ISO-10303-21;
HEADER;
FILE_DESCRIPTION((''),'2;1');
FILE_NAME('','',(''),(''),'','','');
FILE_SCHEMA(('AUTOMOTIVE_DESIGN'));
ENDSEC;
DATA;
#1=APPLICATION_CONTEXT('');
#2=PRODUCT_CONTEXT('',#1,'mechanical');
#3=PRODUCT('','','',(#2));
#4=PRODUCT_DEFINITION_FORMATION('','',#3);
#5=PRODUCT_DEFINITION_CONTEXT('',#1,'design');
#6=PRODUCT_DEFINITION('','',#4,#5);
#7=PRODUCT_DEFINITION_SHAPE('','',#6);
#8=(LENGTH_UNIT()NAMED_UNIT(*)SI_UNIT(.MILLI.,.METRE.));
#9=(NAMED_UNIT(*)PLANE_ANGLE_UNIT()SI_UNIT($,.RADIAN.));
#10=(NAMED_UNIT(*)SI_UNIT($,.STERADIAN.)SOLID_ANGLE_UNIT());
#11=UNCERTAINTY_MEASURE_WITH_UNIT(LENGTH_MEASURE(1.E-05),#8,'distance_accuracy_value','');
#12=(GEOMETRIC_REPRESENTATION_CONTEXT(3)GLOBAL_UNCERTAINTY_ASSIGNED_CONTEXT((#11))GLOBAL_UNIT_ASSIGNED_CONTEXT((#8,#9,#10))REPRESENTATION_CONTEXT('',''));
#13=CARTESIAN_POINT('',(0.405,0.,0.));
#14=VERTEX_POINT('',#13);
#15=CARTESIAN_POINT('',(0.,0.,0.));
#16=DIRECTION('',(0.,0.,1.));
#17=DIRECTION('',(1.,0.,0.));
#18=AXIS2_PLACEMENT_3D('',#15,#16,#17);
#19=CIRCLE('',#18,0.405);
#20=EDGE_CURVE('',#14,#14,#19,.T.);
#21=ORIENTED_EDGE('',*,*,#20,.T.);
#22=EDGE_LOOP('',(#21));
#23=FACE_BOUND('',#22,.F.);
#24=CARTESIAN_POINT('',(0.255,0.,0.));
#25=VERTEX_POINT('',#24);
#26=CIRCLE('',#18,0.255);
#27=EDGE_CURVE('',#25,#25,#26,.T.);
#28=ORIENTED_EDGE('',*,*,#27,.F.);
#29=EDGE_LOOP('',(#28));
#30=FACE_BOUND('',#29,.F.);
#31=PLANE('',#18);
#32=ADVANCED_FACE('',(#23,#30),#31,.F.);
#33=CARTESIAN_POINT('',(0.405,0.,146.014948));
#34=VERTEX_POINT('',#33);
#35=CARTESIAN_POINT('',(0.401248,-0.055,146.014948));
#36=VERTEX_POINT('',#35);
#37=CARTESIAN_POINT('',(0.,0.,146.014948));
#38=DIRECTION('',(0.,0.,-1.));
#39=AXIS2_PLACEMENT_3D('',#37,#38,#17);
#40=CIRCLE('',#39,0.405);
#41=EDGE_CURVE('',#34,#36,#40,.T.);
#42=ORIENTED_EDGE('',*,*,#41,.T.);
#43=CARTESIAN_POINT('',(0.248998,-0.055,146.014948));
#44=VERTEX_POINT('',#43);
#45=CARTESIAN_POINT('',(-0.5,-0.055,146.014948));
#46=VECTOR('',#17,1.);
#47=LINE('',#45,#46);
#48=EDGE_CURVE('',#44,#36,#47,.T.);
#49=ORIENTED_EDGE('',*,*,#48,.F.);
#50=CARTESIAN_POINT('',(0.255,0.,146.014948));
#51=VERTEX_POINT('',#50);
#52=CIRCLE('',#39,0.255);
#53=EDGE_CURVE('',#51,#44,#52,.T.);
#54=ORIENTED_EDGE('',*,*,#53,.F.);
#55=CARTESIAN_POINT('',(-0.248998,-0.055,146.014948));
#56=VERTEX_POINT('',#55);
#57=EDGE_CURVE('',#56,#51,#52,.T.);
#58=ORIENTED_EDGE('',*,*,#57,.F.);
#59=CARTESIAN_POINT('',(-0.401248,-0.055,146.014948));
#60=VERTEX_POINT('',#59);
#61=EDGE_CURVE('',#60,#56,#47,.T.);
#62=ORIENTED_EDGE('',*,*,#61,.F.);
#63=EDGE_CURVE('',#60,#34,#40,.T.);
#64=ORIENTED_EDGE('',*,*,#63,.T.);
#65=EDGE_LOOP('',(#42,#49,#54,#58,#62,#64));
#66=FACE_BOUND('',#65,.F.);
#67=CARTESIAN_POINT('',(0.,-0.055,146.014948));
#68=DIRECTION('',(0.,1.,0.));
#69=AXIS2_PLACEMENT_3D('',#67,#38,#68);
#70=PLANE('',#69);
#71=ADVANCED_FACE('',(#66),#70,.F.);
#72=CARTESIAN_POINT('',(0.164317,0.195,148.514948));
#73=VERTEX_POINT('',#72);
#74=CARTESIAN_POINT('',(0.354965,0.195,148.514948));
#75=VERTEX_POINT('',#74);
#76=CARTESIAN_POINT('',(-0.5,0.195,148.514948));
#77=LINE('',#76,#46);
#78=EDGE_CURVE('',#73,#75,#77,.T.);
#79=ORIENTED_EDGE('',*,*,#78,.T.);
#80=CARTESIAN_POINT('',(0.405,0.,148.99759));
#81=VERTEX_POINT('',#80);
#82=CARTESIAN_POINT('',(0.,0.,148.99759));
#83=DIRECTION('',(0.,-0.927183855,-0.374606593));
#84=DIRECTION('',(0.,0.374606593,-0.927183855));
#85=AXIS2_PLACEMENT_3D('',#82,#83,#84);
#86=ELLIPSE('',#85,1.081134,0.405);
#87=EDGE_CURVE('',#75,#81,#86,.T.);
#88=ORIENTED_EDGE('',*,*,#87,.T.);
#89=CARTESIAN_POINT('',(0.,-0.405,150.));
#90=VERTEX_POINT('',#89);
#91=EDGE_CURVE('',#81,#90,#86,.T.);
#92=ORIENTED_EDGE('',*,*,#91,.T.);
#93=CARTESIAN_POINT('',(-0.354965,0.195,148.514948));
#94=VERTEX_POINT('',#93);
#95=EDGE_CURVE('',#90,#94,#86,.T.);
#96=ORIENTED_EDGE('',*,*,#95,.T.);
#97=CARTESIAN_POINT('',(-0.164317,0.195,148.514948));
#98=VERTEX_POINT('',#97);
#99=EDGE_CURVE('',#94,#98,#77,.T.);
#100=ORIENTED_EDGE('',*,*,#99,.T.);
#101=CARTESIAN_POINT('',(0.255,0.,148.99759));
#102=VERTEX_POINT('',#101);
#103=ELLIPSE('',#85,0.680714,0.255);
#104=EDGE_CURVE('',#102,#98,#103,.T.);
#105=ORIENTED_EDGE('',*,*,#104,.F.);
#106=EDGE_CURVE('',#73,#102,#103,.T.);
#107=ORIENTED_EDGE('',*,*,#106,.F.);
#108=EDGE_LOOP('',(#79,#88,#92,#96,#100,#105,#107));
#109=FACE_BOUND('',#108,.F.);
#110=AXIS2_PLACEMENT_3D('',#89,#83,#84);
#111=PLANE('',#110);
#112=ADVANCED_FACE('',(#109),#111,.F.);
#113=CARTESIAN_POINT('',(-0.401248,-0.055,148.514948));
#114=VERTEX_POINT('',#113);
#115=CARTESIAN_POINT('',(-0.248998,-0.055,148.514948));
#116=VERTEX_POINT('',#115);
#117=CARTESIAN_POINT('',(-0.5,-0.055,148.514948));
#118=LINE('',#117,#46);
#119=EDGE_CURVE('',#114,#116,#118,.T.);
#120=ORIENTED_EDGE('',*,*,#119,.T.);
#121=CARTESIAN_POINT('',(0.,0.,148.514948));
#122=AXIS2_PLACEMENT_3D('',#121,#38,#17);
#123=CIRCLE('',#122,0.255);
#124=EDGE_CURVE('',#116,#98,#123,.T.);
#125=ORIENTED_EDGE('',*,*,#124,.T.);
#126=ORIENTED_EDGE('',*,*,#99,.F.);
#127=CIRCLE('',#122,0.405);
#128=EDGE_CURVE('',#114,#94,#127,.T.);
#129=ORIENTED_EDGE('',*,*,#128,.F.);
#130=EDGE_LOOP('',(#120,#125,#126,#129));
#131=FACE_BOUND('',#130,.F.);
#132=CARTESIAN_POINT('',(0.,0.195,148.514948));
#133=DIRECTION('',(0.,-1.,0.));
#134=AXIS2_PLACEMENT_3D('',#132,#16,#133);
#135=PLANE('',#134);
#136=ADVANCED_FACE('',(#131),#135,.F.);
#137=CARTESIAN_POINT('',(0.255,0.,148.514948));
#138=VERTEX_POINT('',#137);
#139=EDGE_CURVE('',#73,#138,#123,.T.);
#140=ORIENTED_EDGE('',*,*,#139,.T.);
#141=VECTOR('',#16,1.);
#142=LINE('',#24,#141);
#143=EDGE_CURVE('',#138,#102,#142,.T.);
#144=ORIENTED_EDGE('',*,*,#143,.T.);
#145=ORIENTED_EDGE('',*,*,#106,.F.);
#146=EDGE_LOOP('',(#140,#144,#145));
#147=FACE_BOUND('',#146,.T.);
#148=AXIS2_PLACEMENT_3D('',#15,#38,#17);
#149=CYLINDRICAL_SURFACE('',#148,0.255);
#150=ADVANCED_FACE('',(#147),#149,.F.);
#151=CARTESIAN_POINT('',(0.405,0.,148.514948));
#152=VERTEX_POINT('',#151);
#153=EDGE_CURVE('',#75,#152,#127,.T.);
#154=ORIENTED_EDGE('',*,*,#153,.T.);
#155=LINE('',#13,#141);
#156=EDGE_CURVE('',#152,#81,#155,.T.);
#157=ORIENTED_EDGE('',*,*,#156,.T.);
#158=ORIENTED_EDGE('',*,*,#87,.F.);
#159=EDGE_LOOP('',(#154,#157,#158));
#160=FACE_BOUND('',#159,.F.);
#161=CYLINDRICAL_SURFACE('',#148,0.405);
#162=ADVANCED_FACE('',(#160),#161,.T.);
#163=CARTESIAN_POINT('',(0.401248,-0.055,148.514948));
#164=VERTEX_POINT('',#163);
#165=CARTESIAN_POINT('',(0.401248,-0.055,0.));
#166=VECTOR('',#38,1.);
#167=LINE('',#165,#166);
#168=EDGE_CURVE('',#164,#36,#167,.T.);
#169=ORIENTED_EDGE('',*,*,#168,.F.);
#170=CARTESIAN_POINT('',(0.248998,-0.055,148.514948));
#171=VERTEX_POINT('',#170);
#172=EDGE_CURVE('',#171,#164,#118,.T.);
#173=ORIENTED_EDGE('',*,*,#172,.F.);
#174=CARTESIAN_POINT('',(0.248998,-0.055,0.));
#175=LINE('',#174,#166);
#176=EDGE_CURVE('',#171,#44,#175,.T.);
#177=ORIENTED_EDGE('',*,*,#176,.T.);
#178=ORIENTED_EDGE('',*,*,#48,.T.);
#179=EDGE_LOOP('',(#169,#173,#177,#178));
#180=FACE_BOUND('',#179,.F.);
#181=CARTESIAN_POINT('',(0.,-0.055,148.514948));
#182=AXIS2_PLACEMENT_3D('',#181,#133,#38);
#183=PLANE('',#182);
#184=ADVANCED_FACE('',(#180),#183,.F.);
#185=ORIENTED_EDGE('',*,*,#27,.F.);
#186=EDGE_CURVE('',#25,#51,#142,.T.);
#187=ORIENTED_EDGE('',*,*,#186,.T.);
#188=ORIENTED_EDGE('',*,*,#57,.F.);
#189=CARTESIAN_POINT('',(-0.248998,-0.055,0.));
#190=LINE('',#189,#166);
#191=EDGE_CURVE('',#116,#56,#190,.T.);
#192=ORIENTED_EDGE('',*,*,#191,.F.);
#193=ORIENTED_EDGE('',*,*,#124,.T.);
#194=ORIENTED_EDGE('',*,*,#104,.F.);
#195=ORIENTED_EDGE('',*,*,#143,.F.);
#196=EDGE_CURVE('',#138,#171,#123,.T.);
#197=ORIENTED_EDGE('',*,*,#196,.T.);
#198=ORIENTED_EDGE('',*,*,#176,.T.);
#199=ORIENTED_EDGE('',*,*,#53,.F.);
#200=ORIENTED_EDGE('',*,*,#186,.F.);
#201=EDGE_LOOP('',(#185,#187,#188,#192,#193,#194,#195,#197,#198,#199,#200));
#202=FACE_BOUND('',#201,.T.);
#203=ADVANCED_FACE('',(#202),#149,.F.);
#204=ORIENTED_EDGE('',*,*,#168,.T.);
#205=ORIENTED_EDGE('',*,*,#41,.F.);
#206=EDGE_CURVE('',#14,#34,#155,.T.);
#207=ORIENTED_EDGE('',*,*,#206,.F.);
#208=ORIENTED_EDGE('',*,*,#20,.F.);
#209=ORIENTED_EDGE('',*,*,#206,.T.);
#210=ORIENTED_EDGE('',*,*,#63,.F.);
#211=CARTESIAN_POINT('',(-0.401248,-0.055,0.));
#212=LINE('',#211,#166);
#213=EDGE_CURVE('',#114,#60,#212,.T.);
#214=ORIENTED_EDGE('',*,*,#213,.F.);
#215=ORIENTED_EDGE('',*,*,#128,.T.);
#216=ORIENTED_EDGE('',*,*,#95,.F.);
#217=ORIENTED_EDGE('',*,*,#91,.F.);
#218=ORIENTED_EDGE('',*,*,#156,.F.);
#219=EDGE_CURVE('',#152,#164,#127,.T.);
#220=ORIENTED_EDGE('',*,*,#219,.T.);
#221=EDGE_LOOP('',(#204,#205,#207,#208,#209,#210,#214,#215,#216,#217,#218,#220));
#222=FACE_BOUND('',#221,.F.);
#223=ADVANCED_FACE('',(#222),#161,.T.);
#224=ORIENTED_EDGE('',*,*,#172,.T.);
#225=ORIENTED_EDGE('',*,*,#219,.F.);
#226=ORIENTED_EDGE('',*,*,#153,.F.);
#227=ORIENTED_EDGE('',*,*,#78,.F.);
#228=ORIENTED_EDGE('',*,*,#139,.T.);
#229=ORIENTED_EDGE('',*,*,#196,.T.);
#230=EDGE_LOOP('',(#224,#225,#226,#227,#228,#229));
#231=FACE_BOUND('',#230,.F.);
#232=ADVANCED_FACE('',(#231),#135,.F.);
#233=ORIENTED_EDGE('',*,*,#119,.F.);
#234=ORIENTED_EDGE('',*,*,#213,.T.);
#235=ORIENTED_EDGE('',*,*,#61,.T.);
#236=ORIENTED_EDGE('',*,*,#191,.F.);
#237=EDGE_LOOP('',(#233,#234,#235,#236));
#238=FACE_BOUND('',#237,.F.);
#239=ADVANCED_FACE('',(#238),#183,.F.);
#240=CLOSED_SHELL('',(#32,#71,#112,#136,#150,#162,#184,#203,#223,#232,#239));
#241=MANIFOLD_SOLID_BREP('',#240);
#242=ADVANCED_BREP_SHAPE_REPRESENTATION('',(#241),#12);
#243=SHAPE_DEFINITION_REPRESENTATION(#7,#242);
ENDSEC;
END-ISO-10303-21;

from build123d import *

# Parameters (mm, degrees)
SKETCH1_R           = 0.405
SKETCH1_R_2         = 0.255
BOSS_EXTRUDE1_DEPTH = 150
CUT_EXTRUDE1_DEPTH  = 0.5


with BuildPart() as part:
    # Sketch1 → Boss-Extrude1 (new body)
    with BuildSketch(Plane.XY):
        Circle(SKETCH1_R)
        Circle(SKETCH1_R_2, mode=Mode.SUBTRACT)
    extrude(amount=BOSS_EXTRUDE1_DEPTH)

    # Sketch2 → Cut-Extrude1 (cut, symmetric)
    with BuildSketch(Plane(origin=(0, 0, 0), x_dir=(0, 0, -1), z_dir=(1, 0, 0))):
        Polygon((-150, -0.405), (-148.514947888, 0.195), (-148.514947888, -0.055), (-146.014947888, -0.055), (-146.014947888, 0.595), (-150.3, 0.595), (-150.3, -0.405), align=None)
    extrude(amount=CUT_EXTRUDE1_DEPTH, both=True, mode=Mode.SUBTRACT)


solid = part.part
